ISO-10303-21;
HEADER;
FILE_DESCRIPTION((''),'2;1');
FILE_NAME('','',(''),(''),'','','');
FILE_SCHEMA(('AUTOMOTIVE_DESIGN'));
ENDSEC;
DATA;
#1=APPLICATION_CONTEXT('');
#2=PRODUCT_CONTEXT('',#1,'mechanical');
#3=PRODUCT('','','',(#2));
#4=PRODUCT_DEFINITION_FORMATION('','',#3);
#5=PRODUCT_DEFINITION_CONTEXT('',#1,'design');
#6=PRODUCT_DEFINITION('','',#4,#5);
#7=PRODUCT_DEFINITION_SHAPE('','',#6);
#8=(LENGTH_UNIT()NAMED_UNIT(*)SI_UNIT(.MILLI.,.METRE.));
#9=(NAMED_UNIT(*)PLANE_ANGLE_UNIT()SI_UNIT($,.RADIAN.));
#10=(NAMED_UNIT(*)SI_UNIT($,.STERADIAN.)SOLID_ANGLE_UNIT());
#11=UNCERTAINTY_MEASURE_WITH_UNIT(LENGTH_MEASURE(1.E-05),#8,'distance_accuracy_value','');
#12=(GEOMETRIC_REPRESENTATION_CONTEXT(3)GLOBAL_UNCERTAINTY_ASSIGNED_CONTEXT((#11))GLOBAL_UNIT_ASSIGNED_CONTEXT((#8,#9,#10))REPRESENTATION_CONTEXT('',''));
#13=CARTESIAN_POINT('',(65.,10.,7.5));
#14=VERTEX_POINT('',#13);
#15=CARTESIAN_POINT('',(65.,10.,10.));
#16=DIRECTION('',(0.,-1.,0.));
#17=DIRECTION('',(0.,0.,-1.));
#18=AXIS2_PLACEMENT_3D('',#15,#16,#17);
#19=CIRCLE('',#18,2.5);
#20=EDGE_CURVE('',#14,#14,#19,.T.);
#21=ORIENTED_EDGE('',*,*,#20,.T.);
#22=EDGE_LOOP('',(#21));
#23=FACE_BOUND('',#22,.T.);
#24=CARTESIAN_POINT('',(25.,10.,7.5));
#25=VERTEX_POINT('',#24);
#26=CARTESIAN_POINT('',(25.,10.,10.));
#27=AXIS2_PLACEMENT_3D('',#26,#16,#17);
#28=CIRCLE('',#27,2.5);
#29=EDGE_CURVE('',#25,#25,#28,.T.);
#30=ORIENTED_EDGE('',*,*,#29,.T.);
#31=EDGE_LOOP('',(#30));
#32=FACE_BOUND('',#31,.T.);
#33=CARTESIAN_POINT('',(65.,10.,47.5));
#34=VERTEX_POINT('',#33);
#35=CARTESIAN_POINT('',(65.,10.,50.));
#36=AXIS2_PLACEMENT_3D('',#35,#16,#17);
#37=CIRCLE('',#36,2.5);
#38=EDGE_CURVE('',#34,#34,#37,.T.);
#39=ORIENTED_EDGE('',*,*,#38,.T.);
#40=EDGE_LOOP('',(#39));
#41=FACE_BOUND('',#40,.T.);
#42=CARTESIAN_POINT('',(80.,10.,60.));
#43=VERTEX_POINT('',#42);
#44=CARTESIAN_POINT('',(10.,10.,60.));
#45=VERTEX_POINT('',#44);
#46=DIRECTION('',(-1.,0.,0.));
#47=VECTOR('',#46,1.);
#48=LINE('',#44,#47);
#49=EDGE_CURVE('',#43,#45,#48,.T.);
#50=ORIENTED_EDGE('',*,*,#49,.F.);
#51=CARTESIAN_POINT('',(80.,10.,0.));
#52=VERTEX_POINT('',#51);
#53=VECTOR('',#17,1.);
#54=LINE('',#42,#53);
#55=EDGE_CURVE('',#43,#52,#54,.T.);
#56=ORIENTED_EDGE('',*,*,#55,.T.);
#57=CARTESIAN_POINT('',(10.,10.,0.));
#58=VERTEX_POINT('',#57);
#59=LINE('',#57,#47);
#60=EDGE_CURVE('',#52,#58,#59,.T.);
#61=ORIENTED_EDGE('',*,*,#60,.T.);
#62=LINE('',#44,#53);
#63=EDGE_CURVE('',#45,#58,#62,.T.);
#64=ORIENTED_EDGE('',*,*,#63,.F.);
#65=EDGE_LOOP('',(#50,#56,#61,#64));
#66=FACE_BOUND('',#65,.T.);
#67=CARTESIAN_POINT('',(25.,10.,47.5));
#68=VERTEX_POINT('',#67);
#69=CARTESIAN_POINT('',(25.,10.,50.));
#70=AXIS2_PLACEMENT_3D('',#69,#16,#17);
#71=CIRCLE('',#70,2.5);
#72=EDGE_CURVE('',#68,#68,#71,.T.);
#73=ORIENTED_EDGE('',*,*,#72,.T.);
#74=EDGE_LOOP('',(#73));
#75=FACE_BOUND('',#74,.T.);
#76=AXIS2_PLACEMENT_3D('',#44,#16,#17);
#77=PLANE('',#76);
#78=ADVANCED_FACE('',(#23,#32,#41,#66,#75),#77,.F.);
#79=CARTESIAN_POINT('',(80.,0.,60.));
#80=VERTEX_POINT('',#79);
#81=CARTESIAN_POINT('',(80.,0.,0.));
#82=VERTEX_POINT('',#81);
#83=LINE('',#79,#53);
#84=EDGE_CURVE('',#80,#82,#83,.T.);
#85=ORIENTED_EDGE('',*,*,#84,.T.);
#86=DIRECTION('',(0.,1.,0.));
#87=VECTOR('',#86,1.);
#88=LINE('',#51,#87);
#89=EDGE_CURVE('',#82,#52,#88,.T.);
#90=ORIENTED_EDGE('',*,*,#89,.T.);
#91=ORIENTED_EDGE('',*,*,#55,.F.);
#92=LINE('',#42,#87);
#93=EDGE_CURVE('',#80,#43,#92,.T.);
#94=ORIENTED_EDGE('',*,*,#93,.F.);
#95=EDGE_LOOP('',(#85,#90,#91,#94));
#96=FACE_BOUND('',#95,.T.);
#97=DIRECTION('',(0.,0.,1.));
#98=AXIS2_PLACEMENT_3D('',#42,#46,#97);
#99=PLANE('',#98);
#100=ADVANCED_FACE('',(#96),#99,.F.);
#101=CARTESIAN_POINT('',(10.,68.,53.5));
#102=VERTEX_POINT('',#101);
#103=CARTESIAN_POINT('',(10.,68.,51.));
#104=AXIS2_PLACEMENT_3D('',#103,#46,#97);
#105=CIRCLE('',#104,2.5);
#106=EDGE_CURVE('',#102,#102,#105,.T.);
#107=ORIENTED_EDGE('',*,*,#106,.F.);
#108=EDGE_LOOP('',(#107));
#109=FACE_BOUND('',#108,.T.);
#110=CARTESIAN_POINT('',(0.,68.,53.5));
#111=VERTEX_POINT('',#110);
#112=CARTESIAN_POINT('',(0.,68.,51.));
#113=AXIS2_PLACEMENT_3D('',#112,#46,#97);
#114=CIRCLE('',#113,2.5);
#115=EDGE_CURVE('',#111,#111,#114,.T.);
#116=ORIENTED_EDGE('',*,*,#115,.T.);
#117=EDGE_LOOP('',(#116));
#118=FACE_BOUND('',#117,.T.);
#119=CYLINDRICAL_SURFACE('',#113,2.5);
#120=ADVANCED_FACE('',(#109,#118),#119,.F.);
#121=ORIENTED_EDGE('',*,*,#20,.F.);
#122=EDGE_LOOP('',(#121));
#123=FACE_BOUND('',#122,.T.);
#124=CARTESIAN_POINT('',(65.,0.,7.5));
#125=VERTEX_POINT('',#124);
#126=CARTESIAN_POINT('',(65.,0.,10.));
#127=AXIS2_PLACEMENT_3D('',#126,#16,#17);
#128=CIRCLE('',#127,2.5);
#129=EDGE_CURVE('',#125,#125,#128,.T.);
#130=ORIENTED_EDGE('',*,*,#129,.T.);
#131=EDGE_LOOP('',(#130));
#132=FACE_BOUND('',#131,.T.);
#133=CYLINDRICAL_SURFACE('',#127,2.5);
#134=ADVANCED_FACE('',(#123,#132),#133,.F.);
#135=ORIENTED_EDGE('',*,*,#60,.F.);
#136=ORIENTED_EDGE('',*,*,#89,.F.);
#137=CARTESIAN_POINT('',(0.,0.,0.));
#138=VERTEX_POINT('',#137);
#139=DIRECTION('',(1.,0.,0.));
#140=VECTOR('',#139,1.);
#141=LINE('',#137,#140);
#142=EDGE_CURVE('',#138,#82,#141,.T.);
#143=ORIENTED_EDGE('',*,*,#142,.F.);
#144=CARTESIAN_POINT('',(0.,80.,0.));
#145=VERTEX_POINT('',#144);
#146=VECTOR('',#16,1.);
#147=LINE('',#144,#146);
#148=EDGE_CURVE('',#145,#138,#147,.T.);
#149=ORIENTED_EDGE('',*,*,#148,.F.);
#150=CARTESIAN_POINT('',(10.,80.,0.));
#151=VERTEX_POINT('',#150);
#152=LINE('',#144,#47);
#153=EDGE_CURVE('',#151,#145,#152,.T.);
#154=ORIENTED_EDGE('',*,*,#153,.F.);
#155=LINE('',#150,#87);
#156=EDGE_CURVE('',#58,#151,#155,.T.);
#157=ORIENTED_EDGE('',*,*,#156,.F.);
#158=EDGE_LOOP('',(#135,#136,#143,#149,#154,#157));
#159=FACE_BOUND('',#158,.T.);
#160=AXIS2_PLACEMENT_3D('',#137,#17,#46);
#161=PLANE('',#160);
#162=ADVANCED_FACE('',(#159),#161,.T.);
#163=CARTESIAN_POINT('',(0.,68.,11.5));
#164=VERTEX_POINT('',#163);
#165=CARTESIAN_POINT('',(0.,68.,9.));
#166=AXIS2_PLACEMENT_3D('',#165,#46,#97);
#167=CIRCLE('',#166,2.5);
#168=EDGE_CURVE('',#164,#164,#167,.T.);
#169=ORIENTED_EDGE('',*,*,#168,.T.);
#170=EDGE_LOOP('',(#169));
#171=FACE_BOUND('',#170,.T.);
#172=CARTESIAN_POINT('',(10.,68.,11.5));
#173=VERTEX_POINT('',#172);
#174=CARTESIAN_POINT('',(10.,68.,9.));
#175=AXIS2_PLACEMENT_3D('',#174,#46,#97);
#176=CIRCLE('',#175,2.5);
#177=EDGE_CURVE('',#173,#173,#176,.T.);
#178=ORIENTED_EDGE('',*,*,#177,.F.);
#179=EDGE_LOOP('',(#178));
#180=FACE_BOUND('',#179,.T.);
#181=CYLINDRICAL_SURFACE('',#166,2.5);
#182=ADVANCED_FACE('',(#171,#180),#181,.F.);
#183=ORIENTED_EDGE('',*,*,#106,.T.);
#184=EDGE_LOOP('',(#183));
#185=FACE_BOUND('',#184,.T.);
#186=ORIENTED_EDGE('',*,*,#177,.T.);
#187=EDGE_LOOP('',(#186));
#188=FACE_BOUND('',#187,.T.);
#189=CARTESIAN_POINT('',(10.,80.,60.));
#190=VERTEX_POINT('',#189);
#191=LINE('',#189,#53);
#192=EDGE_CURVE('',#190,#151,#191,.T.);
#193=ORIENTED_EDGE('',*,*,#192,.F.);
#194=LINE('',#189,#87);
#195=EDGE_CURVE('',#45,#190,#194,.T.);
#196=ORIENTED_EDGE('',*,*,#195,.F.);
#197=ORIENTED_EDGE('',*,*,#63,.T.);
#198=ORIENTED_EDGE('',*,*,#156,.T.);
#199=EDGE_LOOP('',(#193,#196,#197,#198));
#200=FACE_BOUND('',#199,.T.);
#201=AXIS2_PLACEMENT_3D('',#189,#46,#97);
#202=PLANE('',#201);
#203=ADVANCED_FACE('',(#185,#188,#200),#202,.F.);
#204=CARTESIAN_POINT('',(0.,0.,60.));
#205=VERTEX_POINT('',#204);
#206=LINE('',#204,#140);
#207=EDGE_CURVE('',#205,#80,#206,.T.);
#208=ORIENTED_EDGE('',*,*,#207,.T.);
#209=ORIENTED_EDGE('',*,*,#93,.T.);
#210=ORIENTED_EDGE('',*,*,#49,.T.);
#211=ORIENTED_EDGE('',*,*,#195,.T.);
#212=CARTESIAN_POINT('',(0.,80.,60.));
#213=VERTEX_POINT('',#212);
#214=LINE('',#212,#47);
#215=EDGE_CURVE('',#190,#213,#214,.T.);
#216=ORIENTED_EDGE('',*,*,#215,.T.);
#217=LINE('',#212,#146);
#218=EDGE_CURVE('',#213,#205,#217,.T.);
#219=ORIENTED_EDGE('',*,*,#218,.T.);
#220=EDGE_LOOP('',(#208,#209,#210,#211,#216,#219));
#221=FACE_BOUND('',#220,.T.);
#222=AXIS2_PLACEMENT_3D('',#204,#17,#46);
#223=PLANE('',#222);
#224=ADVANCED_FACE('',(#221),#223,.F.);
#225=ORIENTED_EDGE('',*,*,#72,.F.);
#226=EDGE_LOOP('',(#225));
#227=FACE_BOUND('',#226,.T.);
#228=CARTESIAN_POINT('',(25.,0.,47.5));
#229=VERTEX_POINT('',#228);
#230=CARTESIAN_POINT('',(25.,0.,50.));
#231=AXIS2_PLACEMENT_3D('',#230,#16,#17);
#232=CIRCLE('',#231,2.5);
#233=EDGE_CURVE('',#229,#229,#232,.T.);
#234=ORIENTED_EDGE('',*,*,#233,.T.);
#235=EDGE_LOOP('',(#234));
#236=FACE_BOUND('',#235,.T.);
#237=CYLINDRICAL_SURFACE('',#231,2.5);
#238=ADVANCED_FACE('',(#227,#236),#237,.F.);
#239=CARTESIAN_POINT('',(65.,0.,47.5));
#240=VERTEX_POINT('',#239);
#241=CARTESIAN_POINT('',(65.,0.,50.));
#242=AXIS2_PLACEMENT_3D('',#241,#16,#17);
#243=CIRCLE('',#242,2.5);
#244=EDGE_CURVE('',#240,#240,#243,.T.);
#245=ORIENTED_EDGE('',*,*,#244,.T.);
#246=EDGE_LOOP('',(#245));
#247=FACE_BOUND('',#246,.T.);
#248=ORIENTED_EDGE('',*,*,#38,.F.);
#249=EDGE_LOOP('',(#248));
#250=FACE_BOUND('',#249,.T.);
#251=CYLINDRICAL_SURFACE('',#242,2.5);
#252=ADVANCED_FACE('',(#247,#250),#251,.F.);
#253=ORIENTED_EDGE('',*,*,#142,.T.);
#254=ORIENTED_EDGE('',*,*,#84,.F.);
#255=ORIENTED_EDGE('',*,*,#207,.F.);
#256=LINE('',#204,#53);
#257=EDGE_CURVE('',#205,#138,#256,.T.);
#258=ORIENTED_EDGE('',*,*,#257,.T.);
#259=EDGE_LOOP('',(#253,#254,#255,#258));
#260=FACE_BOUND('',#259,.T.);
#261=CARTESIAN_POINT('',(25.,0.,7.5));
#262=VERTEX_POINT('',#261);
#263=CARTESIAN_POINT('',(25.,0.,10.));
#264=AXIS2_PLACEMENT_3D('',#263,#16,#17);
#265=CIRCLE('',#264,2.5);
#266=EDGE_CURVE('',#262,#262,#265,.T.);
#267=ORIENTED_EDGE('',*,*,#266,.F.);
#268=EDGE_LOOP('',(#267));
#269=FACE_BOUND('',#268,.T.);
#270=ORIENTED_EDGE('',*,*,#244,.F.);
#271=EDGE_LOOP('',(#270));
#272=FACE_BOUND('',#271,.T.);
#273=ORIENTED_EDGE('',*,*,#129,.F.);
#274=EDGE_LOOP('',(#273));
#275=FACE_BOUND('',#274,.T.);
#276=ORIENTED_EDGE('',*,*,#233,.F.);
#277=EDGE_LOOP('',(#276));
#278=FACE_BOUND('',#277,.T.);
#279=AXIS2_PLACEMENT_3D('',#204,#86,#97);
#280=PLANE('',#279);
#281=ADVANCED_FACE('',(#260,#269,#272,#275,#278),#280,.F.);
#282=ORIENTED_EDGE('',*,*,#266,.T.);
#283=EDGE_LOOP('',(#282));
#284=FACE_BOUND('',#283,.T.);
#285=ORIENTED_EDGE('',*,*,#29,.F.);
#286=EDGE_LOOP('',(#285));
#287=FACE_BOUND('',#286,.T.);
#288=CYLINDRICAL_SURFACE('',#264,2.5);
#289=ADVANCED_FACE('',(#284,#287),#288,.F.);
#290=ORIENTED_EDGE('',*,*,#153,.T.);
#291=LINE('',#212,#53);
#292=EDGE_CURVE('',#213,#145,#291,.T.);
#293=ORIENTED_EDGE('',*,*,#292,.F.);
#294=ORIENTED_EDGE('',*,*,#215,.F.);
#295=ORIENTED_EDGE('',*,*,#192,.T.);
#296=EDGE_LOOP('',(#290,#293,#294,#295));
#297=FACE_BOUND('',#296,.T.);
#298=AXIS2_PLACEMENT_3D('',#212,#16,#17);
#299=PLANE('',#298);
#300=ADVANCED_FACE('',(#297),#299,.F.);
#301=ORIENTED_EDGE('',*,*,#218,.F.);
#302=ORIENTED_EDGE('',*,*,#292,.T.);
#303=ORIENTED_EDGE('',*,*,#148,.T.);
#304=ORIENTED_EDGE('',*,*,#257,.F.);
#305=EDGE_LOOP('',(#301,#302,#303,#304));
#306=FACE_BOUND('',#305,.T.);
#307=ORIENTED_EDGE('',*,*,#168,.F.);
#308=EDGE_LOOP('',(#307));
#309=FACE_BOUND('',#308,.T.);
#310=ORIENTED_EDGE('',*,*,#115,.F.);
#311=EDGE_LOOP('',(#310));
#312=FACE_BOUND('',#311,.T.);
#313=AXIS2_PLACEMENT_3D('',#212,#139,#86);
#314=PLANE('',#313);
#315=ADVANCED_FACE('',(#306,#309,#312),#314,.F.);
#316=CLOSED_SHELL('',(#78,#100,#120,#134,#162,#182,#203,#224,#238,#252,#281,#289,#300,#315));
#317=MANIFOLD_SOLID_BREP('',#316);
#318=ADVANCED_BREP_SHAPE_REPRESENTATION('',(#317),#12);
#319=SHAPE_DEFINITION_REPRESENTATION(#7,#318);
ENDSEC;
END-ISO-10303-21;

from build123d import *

# Parameters (mm, degrees)
EXTRUDE_1_DEPTH        = 60
HOLE_WIZARD_M6_1_D     = 5
HOLE_WIZARD_M6_1_DEPTH = 15
HOLE_WIZARD_M6_1_TIP   = 1.502151548
HOLE_WIZARD_M6_2_D     = 5
HOLE_WIZARD_M6_2_DEPTH = 15
HOLE_WIZARD_M6_2_TIP   = 1.502151548


with BuildPart() as part:
    # 草图1 → 凸台-拉伸1 (new body)
    with BuildSketch(Plane.XY):
        Polygon((0, 80), (0, 0), (80, 0), (80, 10), (10, 10), (10, 80), align=None)
    extrude(amount=EXTRUDE_1_DEPTH)

    # M6 螺纹孔1
    with Locations(Plane(origin=(65, 0, 50), x_dir=(0, 0, -1), z_dir=(0, -1, 0))):
        with Locations((0, 0), (40, 0), (40, -40), (0, -40)):
            Hole(HOLE_WIZARD_M6_1_D / 2, depth=HOLE_WIZARD_M6_1_DEPTH)
            with Locations((0, 0, -(HOLE_WIZARD_M6_1_DEPTH + HOLE_WIZARD_M6_1_TIP / 2))):  # 118° drill point
                Cone(0, HOLE_WIZARD_M6_1_D / 2, HOLE_WIZARD_M6_1_TIP, mode=Mode.SUBTRACT)

    # M6 螺纹孔2
    with Locations(Plane(origin=(0, 68, 9), x_dir=(0, 0, -1), z_dir=(-1, 0, 0))):
        with Locations((0, 0), (-42, 0)):
            Hole(HOLE_WIZARD_M6_2_D / 2, depth=HOLE_WIZARD_M6_2_DEPTH)
            with Locations((0, 0, -(HOLE_WIZARD_M6_2_DEPTH + HOLE_WIZARD_M6_2_TIP / 2))):  # 118° drill point
                Cone(0, HOLE_WIZARD_M6_2_D / 2, HOLE_WIZARD_M6_2_TIP, mode=Mode.SUBTRACT)


solid = part.part
